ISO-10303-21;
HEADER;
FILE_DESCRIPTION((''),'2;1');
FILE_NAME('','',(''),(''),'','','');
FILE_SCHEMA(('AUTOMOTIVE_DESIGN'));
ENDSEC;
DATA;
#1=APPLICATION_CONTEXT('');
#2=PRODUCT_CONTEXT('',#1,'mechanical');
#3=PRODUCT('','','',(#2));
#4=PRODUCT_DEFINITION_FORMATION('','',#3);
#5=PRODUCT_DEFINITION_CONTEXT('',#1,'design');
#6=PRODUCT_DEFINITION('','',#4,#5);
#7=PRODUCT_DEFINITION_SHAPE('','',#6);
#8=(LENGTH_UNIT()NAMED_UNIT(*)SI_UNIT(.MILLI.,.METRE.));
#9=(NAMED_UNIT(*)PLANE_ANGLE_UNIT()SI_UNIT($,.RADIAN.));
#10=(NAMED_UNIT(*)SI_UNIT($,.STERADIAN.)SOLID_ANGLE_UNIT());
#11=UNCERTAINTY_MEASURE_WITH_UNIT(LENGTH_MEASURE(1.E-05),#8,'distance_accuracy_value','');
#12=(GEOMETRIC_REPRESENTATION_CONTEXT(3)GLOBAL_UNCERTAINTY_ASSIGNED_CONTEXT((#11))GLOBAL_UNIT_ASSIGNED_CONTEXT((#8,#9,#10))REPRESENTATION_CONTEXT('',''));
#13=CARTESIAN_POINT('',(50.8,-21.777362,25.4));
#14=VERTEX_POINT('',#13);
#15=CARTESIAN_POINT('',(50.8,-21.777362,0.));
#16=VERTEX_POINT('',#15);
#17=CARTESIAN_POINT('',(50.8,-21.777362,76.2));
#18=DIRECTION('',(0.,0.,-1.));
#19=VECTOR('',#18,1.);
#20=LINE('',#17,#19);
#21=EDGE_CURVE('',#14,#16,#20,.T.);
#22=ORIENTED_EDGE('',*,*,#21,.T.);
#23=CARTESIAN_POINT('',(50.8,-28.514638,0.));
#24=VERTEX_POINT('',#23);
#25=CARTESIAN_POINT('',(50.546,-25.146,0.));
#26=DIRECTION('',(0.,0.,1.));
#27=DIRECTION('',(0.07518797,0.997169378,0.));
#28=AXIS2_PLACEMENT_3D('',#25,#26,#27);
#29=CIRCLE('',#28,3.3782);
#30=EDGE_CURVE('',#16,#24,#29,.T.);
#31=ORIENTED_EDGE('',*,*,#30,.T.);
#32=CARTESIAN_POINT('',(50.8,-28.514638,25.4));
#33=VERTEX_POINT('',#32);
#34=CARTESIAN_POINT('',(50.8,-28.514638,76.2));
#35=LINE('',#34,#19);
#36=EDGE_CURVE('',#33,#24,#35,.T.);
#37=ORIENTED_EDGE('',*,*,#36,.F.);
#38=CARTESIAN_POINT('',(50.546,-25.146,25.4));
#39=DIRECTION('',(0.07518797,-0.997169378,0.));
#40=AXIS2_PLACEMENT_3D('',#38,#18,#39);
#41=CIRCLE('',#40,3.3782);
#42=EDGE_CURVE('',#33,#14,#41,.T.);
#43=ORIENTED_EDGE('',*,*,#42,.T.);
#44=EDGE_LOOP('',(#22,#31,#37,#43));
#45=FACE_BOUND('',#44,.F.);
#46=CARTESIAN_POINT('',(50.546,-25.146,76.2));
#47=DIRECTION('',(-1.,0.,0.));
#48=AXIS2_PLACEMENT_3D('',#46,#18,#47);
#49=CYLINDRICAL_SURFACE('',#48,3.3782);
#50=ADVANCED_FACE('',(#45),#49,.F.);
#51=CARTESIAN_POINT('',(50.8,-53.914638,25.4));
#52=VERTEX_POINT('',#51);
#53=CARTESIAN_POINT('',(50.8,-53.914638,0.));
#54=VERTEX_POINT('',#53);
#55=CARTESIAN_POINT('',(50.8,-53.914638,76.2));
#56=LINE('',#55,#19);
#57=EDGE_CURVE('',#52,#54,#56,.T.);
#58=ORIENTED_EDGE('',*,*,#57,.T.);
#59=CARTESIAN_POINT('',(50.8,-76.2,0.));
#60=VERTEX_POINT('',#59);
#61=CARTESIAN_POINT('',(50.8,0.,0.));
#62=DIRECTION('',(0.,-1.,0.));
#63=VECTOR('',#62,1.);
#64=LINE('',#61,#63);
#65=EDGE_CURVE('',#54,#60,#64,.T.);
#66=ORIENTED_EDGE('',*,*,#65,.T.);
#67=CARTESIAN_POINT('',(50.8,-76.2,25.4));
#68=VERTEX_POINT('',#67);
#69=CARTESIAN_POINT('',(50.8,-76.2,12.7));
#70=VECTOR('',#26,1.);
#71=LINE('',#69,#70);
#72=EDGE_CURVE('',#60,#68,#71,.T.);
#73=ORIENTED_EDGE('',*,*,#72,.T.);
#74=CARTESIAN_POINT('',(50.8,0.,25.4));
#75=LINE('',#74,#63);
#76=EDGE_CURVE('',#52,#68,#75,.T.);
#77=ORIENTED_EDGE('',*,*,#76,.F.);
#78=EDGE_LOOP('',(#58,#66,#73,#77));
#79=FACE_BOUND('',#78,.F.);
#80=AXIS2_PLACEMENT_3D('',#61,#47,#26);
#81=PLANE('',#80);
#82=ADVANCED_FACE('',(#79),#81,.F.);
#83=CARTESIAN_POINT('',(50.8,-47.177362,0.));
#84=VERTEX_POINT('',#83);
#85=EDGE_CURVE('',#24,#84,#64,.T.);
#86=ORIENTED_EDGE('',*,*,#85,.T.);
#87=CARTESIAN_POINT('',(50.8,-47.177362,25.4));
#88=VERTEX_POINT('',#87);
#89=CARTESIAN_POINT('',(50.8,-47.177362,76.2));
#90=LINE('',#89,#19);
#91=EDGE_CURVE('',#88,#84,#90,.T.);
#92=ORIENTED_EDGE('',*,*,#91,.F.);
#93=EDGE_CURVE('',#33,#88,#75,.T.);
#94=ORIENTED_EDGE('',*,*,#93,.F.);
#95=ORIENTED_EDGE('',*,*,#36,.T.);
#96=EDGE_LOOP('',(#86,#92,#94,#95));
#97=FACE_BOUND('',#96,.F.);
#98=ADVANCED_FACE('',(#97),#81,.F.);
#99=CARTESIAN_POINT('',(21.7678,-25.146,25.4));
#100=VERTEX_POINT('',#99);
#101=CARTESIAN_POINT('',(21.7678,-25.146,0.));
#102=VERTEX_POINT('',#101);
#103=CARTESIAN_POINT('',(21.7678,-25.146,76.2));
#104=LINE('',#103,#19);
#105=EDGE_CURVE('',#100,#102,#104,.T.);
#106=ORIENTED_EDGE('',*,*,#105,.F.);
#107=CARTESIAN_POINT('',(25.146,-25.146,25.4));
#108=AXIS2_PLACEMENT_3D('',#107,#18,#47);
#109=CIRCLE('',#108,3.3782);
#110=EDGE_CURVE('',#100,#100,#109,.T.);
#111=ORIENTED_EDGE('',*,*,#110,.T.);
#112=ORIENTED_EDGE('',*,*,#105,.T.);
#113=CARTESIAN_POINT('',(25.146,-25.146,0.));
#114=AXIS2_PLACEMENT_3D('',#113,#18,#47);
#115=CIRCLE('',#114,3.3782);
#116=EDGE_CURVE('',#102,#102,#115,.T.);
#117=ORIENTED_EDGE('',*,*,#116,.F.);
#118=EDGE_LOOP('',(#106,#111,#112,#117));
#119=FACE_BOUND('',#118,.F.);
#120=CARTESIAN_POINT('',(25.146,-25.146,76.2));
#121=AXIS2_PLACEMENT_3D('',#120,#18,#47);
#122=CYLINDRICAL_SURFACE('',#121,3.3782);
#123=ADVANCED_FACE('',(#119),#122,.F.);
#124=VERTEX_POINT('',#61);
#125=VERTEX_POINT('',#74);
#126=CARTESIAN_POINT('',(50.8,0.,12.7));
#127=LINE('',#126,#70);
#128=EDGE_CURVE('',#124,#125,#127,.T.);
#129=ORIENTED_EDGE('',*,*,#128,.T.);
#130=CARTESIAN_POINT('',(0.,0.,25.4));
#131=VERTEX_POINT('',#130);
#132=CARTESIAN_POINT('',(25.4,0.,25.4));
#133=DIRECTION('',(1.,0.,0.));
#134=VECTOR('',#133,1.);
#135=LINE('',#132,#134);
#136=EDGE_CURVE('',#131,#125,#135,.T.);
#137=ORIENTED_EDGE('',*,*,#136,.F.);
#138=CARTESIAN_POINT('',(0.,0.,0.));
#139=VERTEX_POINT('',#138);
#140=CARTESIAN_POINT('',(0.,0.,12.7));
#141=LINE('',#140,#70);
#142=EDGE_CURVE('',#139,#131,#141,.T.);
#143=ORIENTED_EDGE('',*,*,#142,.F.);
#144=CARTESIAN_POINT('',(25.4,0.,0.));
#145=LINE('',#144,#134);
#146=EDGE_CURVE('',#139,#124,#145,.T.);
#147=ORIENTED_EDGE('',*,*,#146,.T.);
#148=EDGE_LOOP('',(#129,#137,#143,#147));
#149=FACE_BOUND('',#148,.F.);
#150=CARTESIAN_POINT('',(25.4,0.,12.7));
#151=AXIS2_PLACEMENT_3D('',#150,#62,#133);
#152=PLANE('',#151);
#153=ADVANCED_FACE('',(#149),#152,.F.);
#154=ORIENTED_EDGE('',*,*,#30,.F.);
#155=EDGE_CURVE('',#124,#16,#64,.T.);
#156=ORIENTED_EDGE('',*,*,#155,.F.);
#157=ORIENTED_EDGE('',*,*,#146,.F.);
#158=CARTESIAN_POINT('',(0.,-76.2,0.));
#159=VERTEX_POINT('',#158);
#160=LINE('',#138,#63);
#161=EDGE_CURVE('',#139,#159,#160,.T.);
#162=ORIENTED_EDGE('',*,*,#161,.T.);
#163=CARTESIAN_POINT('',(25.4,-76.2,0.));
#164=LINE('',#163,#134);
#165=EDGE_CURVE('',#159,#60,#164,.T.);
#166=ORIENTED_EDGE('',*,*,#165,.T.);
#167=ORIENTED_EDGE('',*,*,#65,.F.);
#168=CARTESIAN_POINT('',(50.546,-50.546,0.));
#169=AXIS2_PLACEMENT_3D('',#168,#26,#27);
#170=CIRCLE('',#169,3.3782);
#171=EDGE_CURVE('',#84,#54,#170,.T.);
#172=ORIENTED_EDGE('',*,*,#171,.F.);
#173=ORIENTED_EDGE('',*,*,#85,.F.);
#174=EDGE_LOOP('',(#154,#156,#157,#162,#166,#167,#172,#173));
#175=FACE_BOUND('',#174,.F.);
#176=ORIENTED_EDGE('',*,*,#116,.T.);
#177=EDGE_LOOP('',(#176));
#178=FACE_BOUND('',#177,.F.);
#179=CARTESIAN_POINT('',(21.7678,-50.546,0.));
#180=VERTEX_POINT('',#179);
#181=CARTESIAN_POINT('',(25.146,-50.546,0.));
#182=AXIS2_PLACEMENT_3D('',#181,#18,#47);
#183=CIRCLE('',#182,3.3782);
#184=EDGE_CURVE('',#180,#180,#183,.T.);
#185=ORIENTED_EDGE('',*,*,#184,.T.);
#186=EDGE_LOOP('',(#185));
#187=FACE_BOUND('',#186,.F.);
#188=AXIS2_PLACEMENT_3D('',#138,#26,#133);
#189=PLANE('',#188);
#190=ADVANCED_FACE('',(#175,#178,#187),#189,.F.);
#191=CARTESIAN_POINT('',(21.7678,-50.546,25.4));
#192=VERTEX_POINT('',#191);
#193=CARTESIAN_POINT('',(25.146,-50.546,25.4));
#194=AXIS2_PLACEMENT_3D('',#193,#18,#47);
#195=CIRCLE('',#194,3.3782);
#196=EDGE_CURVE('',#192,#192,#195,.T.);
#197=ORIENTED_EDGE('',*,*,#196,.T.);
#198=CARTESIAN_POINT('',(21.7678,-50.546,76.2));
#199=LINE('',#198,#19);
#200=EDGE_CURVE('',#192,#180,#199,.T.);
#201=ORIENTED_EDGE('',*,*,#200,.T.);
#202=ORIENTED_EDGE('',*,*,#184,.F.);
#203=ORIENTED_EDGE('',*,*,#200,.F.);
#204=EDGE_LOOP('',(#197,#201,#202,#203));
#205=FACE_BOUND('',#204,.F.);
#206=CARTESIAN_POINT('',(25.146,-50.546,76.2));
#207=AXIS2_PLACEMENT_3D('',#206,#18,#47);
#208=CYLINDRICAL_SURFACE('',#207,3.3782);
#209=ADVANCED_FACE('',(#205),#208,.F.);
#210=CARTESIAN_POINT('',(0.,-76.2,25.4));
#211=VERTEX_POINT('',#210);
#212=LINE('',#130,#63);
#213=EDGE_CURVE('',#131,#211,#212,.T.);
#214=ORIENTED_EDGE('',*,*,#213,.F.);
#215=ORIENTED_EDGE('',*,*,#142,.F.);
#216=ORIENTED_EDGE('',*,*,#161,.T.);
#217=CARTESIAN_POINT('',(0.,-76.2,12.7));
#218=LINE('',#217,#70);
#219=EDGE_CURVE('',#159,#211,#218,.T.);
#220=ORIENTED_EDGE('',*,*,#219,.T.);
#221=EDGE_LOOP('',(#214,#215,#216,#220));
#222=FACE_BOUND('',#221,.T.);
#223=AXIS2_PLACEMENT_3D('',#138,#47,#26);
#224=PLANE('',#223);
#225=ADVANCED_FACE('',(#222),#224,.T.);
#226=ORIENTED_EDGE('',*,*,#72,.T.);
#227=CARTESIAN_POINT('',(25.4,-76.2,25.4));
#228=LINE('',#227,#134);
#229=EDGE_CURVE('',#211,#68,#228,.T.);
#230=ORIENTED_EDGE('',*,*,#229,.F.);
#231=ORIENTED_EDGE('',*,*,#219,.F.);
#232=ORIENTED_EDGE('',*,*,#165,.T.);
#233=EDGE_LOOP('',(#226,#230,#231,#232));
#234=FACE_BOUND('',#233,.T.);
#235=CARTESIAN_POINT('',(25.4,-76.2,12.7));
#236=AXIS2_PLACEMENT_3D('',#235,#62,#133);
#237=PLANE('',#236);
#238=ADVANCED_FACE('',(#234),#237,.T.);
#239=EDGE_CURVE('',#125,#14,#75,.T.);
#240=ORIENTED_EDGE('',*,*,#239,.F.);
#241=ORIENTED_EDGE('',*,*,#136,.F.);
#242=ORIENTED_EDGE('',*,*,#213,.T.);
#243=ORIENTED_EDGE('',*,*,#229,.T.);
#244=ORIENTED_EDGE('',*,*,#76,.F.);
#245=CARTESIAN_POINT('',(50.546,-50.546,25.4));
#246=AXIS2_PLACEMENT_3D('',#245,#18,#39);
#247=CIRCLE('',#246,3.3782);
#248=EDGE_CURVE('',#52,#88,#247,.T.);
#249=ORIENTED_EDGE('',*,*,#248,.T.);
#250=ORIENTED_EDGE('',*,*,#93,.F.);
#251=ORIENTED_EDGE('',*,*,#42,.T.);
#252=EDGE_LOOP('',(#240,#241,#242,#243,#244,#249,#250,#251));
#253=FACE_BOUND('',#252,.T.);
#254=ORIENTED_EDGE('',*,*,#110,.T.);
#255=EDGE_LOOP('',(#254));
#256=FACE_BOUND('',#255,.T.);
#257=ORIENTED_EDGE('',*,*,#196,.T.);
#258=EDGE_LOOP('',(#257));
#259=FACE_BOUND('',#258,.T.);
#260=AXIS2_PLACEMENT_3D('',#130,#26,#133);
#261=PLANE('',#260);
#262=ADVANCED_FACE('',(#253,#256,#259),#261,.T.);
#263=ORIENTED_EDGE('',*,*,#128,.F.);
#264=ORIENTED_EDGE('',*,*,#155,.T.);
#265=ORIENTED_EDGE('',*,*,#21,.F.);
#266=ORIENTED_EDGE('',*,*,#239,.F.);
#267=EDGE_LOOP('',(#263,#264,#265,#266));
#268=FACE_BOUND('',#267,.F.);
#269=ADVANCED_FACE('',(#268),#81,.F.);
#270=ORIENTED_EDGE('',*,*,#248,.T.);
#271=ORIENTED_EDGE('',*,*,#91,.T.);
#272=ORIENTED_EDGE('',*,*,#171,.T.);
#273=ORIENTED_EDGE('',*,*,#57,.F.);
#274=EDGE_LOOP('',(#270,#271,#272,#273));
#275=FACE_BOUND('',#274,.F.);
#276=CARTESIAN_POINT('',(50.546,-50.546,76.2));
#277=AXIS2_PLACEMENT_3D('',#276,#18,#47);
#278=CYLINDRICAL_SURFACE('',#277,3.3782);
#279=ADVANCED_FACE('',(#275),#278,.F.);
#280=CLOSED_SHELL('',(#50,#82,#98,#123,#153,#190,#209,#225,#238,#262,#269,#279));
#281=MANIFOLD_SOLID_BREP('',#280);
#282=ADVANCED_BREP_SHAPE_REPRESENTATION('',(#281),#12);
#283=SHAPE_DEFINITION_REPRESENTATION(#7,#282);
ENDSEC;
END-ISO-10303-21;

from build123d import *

# Parameters (mm, degrees)
F0_W     = 50.8
F0_H     = 25.4
F1_DEPTH = 76.2
F3_D     = 6.7564
F3_DEPTH = 50.8
F3_TIP   = 2.0298273432


with BuildPart() as f1:
    # F0 (on Front) → F1 (new body)
    with BuildSketch(Plane.XZ):
        with Locations((25.4, 12.7)):
            Rectangle(F0_W, F0_H)
    extrude(amount=F1_DEPTH)

    # F3
    with Locations(Plane.XY.offset(25.4)):
        with Locations((25.146, -25.146), (50.546, -25.146), (50.546, -50.546), (25.146, -50.546)):
            Hole(F3_D / 2, depth=F3_DEPTH)
            with Locations((0, 0, -(F3_DEPTH + F3_TIP / 2))):  # 118° drill point
                Cone(0, F3_D / 2, F3_TIP, mode=Mode.SUBTRACT)


solid = f1.part
